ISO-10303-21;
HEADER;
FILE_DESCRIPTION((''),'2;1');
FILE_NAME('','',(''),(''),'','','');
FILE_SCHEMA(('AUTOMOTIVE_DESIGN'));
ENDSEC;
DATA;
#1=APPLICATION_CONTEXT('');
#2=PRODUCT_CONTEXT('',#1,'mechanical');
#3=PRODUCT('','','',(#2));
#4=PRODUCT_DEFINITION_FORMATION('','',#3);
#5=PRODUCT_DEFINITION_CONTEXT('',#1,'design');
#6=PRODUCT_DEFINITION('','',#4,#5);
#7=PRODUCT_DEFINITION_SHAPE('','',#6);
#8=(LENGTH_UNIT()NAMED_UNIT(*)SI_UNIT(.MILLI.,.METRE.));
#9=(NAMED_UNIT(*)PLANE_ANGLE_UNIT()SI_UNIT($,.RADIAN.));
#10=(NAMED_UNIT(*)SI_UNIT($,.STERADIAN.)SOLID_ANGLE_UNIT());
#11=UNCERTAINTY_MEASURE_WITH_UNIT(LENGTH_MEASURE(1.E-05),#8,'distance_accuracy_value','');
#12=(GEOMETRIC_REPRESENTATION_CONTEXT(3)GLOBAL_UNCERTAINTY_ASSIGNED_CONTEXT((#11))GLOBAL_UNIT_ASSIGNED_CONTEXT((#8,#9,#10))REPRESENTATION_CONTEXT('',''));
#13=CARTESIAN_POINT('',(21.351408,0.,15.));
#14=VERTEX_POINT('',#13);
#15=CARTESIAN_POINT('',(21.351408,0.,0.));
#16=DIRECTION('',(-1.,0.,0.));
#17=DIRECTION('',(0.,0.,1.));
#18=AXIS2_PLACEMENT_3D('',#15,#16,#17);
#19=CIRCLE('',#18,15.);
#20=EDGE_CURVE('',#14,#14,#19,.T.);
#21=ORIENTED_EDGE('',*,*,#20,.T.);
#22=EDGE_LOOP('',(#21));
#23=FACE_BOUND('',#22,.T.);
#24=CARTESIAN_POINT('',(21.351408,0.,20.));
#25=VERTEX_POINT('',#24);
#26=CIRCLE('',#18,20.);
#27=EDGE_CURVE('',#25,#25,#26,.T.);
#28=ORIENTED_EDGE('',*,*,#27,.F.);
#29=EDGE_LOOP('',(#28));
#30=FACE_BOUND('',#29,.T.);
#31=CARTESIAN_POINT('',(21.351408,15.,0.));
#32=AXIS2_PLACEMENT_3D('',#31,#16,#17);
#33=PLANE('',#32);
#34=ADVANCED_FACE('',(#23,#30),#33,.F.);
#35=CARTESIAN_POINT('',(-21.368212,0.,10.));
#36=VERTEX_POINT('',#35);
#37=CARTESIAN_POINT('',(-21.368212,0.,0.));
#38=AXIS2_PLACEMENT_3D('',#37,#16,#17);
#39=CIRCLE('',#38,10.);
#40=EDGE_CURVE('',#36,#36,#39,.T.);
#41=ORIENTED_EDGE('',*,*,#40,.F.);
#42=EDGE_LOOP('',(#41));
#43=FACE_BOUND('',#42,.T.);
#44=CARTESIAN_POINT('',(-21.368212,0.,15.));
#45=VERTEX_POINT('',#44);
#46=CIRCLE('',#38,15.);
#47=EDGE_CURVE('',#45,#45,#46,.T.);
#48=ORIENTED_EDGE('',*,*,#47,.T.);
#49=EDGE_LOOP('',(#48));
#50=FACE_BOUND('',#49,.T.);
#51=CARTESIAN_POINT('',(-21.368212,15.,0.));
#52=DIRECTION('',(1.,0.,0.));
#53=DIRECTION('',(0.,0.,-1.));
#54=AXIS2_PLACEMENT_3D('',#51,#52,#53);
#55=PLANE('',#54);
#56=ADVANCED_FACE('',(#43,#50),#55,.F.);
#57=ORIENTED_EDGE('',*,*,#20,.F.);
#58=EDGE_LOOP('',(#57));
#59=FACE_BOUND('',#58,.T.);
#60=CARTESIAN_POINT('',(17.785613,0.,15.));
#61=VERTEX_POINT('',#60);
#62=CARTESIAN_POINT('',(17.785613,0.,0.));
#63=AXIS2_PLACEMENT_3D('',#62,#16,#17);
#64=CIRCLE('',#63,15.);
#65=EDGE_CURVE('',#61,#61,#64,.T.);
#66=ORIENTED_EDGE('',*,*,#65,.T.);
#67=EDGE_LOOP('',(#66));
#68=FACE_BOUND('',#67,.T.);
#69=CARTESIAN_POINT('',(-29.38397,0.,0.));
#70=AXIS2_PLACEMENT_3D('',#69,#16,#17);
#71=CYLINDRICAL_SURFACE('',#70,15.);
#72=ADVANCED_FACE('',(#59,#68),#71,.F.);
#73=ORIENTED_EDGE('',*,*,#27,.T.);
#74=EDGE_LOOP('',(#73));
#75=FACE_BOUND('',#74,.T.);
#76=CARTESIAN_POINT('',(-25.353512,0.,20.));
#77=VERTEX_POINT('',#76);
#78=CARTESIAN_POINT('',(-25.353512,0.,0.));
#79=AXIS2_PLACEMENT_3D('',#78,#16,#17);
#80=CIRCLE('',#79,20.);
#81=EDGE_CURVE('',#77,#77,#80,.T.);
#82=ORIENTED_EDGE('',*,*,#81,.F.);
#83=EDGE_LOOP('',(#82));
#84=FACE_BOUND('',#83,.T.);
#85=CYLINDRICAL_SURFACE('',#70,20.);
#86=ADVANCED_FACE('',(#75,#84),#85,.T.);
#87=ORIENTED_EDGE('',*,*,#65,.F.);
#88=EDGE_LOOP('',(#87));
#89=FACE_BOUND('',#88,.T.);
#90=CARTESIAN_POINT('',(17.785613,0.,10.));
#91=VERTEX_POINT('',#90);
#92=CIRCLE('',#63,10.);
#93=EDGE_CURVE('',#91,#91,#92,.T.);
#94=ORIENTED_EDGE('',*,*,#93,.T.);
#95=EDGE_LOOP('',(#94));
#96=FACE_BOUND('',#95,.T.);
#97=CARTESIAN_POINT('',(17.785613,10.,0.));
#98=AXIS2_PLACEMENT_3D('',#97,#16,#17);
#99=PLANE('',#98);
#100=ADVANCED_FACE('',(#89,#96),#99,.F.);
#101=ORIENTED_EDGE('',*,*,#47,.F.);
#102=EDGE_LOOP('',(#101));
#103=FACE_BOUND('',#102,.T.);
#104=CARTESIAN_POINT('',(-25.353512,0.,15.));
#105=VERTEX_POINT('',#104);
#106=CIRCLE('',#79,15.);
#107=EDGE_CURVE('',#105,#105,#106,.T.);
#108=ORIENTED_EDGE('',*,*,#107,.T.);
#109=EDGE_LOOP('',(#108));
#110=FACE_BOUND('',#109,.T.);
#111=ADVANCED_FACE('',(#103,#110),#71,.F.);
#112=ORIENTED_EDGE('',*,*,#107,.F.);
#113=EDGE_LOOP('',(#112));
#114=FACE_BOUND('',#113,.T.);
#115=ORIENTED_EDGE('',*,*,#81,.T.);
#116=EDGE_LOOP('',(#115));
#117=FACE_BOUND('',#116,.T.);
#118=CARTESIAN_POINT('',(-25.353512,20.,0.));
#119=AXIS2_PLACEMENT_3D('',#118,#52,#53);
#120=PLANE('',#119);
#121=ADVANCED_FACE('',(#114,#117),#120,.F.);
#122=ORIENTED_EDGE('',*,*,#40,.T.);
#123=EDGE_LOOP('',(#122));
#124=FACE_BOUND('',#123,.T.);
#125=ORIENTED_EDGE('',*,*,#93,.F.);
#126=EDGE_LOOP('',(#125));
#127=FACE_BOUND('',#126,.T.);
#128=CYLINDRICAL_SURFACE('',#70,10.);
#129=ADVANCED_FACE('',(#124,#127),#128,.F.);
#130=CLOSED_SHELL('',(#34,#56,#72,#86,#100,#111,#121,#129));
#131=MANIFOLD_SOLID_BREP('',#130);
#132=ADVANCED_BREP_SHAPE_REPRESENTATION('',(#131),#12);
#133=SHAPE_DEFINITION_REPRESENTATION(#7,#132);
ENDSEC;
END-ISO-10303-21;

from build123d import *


with BuildPart() as part:
    # Sketch1 → Revolve1 (revolve)
    with BuildSketch(Plane.XY):
        Polygon((-25.353512272, 20), (-25.353512272, 15), (-21.368212172, 15), (-21.368212172, 10), (17.785613365, 10), (17.785613365, 15), (21.35140819, 15), (21.35140819, 20), align=None)
    revolve(axis=Axis((-29.383970125, 0, 0), (1, 0, 0)))


solid = part.part
